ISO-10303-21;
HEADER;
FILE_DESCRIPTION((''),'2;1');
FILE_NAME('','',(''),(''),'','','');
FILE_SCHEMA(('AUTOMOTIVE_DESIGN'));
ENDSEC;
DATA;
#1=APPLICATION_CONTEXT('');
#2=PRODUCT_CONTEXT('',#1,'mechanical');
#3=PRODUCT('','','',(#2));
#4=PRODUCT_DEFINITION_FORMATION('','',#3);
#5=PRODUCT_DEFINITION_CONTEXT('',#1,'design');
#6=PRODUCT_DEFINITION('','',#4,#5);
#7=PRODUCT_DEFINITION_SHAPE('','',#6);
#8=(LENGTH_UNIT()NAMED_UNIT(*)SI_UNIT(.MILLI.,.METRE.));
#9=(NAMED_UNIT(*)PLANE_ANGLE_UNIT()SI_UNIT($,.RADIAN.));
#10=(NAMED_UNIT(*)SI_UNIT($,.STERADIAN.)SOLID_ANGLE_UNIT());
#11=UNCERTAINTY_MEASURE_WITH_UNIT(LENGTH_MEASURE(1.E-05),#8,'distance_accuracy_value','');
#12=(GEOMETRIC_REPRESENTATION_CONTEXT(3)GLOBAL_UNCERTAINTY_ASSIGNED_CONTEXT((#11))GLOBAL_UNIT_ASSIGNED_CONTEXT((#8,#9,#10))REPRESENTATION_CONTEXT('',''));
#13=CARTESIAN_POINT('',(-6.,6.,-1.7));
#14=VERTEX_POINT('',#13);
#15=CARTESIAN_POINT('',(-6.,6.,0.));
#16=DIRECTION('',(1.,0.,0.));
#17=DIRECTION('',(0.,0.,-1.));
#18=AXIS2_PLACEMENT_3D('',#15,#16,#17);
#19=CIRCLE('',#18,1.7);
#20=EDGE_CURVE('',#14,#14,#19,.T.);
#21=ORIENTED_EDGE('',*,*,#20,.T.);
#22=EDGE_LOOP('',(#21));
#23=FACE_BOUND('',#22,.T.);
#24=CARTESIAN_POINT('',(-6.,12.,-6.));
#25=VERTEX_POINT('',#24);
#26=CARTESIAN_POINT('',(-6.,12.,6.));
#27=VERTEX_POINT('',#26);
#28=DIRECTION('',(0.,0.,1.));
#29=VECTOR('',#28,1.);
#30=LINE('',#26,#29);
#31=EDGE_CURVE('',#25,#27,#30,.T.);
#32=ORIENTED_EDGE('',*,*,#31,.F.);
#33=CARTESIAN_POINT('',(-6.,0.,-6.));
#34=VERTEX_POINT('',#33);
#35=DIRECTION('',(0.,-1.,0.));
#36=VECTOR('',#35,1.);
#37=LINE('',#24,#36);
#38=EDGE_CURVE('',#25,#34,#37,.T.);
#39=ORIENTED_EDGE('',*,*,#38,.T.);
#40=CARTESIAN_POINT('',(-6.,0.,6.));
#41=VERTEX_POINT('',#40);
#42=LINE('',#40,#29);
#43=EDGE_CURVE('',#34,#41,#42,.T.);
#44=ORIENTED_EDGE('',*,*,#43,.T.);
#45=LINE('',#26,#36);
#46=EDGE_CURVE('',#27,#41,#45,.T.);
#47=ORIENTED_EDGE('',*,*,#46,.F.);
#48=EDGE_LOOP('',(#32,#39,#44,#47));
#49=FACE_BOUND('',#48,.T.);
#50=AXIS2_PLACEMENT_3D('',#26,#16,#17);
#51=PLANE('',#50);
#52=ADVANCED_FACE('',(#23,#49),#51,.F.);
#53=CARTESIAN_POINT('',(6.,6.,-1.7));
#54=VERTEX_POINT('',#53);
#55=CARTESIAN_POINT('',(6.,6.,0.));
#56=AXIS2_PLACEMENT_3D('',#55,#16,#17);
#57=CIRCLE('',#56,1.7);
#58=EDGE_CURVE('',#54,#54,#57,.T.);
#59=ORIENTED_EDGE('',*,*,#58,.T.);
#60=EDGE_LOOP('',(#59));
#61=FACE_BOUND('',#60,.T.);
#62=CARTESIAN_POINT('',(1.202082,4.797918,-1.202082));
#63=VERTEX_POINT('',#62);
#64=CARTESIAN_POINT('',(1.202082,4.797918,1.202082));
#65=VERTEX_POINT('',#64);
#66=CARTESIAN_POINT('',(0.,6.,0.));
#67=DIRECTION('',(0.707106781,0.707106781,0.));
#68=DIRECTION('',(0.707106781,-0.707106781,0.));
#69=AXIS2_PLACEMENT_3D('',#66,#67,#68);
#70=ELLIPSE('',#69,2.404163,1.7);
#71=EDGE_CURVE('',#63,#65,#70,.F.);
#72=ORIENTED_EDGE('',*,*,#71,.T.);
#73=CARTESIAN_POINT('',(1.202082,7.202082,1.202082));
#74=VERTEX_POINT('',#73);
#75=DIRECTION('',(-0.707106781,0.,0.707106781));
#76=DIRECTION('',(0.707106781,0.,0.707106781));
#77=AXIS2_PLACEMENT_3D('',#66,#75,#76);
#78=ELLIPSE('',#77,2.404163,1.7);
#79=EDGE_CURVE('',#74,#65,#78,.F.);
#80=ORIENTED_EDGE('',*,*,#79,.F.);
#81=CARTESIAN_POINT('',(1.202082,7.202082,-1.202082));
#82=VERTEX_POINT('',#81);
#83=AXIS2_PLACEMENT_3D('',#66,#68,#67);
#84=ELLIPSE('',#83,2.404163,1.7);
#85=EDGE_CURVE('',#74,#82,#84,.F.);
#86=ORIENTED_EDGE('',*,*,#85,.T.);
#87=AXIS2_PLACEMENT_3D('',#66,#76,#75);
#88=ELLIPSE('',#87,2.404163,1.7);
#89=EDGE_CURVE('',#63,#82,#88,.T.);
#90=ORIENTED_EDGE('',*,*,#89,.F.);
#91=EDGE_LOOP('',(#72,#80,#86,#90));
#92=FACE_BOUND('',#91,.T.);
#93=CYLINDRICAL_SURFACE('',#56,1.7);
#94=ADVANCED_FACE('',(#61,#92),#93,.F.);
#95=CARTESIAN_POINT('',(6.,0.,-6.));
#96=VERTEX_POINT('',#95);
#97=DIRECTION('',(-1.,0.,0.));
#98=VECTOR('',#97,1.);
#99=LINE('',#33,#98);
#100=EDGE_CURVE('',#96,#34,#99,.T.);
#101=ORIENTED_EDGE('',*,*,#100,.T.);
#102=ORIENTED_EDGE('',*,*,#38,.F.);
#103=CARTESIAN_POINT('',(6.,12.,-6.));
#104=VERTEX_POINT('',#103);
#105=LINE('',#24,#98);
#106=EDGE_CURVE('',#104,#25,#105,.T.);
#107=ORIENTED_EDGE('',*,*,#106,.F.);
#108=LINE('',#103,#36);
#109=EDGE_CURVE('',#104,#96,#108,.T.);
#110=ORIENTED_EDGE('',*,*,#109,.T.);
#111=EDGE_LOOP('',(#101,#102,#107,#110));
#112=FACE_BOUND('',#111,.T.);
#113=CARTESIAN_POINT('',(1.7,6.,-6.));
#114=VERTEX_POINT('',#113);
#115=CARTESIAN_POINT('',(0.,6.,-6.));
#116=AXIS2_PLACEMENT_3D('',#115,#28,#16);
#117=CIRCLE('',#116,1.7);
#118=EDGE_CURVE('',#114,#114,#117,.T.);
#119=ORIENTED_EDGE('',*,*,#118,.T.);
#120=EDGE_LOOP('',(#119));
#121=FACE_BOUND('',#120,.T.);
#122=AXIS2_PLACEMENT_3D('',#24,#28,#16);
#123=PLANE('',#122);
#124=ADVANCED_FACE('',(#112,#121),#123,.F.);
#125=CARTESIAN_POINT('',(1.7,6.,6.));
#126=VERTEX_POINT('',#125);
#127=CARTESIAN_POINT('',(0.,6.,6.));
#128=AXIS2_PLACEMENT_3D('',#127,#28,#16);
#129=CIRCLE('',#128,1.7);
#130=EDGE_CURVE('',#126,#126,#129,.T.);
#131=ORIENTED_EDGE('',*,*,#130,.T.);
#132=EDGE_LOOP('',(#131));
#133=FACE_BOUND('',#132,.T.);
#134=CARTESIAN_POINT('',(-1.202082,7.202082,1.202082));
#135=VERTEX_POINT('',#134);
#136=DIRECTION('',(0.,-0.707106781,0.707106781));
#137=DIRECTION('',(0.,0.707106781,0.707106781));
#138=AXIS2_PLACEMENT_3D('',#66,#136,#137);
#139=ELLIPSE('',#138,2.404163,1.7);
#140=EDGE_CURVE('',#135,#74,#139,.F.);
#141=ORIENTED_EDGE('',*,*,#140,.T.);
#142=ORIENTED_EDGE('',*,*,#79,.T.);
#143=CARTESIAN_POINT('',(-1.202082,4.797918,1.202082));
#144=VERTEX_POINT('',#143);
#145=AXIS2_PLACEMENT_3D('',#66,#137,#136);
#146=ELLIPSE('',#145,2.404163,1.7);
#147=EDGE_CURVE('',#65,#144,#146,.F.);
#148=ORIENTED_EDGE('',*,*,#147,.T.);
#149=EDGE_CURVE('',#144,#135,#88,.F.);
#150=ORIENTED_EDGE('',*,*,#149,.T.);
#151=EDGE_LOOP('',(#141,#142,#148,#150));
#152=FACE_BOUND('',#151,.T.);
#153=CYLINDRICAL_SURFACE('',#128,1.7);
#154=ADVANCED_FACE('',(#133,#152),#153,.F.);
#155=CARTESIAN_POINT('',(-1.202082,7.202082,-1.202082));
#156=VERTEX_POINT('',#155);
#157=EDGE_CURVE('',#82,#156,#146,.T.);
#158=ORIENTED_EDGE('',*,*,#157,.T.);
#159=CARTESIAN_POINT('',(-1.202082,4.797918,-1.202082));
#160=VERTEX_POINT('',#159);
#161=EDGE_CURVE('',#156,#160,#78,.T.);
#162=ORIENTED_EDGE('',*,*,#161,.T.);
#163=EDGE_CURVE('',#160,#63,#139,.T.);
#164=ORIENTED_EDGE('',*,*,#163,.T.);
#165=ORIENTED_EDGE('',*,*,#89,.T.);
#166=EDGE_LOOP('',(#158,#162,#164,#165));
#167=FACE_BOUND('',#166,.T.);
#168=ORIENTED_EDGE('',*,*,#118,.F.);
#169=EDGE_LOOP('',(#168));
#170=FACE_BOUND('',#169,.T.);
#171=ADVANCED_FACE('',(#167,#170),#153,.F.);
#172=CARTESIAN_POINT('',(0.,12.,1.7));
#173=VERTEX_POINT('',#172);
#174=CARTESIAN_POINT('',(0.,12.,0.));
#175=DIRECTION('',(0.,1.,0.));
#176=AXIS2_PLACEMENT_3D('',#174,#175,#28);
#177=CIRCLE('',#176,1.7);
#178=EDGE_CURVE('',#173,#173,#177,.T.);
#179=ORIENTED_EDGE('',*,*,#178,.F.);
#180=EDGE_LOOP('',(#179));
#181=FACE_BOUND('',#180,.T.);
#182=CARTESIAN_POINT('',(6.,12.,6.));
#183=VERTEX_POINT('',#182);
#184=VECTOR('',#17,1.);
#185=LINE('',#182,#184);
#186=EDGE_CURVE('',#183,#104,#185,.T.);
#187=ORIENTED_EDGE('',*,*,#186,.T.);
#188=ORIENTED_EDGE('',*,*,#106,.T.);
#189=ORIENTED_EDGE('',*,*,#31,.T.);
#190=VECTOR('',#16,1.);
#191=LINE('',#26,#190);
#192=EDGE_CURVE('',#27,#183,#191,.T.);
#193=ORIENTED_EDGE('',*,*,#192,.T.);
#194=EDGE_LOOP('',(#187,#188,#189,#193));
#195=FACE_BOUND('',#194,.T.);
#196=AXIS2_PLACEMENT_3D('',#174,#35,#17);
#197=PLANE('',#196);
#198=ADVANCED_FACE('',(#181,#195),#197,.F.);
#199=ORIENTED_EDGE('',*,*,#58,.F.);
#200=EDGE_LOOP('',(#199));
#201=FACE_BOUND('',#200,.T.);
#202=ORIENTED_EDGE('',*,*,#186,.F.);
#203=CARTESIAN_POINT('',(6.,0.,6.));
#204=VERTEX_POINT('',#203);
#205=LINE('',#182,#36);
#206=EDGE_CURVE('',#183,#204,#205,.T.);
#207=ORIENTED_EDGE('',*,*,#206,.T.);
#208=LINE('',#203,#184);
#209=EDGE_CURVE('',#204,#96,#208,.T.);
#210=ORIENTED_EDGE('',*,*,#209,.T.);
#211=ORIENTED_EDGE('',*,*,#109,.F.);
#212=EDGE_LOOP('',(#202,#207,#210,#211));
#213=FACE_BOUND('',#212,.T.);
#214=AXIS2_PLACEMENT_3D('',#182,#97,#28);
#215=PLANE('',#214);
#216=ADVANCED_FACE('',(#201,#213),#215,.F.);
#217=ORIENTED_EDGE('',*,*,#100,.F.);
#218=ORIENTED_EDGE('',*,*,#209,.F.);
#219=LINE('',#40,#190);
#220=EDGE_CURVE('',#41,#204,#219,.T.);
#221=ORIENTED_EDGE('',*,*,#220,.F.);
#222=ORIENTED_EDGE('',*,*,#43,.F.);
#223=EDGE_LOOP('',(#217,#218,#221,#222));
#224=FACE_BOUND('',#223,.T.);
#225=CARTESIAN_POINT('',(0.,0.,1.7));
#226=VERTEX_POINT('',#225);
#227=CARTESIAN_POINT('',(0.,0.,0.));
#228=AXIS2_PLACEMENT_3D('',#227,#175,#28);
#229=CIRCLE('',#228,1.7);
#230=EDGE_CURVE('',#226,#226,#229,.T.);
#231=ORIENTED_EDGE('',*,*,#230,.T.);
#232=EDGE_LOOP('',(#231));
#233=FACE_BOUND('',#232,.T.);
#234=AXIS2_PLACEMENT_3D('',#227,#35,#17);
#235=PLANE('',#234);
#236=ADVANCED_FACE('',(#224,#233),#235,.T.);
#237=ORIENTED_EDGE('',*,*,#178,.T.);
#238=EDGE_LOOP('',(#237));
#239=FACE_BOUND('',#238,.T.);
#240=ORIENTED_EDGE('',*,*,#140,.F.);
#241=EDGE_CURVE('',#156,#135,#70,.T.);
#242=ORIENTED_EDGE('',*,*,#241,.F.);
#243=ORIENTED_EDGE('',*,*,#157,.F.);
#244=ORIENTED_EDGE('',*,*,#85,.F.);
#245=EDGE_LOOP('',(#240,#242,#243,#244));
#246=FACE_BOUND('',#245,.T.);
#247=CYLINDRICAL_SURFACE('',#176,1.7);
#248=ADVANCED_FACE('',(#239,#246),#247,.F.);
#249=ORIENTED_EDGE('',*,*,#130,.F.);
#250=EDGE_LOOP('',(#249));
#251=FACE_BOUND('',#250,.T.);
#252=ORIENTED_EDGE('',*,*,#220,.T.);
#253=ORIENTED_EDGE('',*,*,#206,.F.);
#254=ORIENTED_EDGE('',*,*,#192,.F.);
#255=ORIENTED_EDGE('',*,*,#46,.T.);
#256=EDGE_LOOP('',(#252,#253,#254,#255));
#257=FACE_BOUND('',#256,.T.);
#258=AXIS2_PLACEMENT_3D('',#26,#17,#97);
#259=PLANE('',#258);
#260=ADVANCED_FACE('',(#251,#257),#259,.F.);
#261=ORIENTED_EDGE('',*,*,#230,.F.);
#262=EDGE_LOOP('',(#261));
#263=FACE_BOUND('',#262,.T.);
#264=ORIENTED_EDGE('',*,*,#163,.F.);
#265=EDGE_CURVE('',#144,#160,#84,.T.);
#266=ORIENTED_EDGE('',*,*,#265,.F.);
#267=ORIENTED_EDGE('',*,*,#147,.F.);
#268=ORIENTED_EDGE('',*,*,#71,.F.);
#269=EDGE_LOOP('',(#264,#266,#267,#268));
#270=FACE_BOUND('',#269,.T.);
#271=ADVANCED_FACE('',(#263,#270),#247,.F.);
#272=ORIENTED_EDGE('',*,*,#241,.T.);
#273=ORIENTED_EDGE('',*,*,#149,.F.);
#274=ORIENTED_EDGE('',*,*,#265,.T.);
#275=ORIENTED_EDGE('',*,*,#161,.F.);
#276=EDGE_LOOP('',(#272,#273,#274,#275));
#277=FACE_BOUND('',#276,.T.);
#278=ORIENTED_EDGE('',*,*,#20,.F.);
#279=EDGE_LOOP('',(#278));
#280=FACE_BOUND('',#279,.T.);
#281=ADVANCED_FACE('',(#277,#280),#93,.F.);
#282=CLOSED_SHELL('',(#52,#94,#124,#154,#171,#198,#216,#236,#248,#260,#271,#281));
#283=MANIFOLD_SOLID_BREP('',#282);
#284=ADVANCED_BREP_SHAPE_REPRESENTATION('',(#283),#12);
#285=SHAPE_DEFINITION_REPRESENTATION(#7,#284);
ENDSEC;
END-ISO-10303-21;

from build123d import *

# Parameters (mm, degrees)
SKETCH1_W            = 12
SKETCH1_H            = 12
BOSS_EXTRUDE1_DEPTH  = 12
M3_CLEARANCE_HOLE1_D = 3.4
M3_CLEARANCE_HOLE2_D = 3.4
M3_CLEARANCE_HOLE3_D = 3.4


with BuildPart() as part:
    # Sketch1 → Boss-Extrude1 (new body)
    with BuildSketch(Plane(origin=(0, 0, 0), x_dir=(1, 0, 0), z_dir=(0, 1, 0))):
        Rectangle(SKETCH1_W, SKETCH1_H)
    extrude(amount=BOSS_EXTRUDE1_DEPTH)

    # M3 Clearance Hole1 (through all)
    with Locations(Plane.XY.offset(6)):
        with Locations((0, 6)):
            Hole(M3_CLEARANCE_HOLE1_D / 2)

    # M3 Clearance Hole2 (through all)
    with Locations(Plane(origin=(6, 0, 0), x_dir=(0, 0, -1), z_dir=(1, 0, 0))):
        with Locations((0, 6)):
            Hole(M3_CLEARANCE_HOLE2_D / 2)

    # M3 Clearance Hole3 (through all)
    with Locations(Plane(origin=(0, 12, 0), x_dir=(1, 0, 0), z_dir=(0, 1, 0))):
        with Locations((0, 0)):
            Hole(M3_CLEARANCE_HOLE3_D / 2)


solid = part.part
